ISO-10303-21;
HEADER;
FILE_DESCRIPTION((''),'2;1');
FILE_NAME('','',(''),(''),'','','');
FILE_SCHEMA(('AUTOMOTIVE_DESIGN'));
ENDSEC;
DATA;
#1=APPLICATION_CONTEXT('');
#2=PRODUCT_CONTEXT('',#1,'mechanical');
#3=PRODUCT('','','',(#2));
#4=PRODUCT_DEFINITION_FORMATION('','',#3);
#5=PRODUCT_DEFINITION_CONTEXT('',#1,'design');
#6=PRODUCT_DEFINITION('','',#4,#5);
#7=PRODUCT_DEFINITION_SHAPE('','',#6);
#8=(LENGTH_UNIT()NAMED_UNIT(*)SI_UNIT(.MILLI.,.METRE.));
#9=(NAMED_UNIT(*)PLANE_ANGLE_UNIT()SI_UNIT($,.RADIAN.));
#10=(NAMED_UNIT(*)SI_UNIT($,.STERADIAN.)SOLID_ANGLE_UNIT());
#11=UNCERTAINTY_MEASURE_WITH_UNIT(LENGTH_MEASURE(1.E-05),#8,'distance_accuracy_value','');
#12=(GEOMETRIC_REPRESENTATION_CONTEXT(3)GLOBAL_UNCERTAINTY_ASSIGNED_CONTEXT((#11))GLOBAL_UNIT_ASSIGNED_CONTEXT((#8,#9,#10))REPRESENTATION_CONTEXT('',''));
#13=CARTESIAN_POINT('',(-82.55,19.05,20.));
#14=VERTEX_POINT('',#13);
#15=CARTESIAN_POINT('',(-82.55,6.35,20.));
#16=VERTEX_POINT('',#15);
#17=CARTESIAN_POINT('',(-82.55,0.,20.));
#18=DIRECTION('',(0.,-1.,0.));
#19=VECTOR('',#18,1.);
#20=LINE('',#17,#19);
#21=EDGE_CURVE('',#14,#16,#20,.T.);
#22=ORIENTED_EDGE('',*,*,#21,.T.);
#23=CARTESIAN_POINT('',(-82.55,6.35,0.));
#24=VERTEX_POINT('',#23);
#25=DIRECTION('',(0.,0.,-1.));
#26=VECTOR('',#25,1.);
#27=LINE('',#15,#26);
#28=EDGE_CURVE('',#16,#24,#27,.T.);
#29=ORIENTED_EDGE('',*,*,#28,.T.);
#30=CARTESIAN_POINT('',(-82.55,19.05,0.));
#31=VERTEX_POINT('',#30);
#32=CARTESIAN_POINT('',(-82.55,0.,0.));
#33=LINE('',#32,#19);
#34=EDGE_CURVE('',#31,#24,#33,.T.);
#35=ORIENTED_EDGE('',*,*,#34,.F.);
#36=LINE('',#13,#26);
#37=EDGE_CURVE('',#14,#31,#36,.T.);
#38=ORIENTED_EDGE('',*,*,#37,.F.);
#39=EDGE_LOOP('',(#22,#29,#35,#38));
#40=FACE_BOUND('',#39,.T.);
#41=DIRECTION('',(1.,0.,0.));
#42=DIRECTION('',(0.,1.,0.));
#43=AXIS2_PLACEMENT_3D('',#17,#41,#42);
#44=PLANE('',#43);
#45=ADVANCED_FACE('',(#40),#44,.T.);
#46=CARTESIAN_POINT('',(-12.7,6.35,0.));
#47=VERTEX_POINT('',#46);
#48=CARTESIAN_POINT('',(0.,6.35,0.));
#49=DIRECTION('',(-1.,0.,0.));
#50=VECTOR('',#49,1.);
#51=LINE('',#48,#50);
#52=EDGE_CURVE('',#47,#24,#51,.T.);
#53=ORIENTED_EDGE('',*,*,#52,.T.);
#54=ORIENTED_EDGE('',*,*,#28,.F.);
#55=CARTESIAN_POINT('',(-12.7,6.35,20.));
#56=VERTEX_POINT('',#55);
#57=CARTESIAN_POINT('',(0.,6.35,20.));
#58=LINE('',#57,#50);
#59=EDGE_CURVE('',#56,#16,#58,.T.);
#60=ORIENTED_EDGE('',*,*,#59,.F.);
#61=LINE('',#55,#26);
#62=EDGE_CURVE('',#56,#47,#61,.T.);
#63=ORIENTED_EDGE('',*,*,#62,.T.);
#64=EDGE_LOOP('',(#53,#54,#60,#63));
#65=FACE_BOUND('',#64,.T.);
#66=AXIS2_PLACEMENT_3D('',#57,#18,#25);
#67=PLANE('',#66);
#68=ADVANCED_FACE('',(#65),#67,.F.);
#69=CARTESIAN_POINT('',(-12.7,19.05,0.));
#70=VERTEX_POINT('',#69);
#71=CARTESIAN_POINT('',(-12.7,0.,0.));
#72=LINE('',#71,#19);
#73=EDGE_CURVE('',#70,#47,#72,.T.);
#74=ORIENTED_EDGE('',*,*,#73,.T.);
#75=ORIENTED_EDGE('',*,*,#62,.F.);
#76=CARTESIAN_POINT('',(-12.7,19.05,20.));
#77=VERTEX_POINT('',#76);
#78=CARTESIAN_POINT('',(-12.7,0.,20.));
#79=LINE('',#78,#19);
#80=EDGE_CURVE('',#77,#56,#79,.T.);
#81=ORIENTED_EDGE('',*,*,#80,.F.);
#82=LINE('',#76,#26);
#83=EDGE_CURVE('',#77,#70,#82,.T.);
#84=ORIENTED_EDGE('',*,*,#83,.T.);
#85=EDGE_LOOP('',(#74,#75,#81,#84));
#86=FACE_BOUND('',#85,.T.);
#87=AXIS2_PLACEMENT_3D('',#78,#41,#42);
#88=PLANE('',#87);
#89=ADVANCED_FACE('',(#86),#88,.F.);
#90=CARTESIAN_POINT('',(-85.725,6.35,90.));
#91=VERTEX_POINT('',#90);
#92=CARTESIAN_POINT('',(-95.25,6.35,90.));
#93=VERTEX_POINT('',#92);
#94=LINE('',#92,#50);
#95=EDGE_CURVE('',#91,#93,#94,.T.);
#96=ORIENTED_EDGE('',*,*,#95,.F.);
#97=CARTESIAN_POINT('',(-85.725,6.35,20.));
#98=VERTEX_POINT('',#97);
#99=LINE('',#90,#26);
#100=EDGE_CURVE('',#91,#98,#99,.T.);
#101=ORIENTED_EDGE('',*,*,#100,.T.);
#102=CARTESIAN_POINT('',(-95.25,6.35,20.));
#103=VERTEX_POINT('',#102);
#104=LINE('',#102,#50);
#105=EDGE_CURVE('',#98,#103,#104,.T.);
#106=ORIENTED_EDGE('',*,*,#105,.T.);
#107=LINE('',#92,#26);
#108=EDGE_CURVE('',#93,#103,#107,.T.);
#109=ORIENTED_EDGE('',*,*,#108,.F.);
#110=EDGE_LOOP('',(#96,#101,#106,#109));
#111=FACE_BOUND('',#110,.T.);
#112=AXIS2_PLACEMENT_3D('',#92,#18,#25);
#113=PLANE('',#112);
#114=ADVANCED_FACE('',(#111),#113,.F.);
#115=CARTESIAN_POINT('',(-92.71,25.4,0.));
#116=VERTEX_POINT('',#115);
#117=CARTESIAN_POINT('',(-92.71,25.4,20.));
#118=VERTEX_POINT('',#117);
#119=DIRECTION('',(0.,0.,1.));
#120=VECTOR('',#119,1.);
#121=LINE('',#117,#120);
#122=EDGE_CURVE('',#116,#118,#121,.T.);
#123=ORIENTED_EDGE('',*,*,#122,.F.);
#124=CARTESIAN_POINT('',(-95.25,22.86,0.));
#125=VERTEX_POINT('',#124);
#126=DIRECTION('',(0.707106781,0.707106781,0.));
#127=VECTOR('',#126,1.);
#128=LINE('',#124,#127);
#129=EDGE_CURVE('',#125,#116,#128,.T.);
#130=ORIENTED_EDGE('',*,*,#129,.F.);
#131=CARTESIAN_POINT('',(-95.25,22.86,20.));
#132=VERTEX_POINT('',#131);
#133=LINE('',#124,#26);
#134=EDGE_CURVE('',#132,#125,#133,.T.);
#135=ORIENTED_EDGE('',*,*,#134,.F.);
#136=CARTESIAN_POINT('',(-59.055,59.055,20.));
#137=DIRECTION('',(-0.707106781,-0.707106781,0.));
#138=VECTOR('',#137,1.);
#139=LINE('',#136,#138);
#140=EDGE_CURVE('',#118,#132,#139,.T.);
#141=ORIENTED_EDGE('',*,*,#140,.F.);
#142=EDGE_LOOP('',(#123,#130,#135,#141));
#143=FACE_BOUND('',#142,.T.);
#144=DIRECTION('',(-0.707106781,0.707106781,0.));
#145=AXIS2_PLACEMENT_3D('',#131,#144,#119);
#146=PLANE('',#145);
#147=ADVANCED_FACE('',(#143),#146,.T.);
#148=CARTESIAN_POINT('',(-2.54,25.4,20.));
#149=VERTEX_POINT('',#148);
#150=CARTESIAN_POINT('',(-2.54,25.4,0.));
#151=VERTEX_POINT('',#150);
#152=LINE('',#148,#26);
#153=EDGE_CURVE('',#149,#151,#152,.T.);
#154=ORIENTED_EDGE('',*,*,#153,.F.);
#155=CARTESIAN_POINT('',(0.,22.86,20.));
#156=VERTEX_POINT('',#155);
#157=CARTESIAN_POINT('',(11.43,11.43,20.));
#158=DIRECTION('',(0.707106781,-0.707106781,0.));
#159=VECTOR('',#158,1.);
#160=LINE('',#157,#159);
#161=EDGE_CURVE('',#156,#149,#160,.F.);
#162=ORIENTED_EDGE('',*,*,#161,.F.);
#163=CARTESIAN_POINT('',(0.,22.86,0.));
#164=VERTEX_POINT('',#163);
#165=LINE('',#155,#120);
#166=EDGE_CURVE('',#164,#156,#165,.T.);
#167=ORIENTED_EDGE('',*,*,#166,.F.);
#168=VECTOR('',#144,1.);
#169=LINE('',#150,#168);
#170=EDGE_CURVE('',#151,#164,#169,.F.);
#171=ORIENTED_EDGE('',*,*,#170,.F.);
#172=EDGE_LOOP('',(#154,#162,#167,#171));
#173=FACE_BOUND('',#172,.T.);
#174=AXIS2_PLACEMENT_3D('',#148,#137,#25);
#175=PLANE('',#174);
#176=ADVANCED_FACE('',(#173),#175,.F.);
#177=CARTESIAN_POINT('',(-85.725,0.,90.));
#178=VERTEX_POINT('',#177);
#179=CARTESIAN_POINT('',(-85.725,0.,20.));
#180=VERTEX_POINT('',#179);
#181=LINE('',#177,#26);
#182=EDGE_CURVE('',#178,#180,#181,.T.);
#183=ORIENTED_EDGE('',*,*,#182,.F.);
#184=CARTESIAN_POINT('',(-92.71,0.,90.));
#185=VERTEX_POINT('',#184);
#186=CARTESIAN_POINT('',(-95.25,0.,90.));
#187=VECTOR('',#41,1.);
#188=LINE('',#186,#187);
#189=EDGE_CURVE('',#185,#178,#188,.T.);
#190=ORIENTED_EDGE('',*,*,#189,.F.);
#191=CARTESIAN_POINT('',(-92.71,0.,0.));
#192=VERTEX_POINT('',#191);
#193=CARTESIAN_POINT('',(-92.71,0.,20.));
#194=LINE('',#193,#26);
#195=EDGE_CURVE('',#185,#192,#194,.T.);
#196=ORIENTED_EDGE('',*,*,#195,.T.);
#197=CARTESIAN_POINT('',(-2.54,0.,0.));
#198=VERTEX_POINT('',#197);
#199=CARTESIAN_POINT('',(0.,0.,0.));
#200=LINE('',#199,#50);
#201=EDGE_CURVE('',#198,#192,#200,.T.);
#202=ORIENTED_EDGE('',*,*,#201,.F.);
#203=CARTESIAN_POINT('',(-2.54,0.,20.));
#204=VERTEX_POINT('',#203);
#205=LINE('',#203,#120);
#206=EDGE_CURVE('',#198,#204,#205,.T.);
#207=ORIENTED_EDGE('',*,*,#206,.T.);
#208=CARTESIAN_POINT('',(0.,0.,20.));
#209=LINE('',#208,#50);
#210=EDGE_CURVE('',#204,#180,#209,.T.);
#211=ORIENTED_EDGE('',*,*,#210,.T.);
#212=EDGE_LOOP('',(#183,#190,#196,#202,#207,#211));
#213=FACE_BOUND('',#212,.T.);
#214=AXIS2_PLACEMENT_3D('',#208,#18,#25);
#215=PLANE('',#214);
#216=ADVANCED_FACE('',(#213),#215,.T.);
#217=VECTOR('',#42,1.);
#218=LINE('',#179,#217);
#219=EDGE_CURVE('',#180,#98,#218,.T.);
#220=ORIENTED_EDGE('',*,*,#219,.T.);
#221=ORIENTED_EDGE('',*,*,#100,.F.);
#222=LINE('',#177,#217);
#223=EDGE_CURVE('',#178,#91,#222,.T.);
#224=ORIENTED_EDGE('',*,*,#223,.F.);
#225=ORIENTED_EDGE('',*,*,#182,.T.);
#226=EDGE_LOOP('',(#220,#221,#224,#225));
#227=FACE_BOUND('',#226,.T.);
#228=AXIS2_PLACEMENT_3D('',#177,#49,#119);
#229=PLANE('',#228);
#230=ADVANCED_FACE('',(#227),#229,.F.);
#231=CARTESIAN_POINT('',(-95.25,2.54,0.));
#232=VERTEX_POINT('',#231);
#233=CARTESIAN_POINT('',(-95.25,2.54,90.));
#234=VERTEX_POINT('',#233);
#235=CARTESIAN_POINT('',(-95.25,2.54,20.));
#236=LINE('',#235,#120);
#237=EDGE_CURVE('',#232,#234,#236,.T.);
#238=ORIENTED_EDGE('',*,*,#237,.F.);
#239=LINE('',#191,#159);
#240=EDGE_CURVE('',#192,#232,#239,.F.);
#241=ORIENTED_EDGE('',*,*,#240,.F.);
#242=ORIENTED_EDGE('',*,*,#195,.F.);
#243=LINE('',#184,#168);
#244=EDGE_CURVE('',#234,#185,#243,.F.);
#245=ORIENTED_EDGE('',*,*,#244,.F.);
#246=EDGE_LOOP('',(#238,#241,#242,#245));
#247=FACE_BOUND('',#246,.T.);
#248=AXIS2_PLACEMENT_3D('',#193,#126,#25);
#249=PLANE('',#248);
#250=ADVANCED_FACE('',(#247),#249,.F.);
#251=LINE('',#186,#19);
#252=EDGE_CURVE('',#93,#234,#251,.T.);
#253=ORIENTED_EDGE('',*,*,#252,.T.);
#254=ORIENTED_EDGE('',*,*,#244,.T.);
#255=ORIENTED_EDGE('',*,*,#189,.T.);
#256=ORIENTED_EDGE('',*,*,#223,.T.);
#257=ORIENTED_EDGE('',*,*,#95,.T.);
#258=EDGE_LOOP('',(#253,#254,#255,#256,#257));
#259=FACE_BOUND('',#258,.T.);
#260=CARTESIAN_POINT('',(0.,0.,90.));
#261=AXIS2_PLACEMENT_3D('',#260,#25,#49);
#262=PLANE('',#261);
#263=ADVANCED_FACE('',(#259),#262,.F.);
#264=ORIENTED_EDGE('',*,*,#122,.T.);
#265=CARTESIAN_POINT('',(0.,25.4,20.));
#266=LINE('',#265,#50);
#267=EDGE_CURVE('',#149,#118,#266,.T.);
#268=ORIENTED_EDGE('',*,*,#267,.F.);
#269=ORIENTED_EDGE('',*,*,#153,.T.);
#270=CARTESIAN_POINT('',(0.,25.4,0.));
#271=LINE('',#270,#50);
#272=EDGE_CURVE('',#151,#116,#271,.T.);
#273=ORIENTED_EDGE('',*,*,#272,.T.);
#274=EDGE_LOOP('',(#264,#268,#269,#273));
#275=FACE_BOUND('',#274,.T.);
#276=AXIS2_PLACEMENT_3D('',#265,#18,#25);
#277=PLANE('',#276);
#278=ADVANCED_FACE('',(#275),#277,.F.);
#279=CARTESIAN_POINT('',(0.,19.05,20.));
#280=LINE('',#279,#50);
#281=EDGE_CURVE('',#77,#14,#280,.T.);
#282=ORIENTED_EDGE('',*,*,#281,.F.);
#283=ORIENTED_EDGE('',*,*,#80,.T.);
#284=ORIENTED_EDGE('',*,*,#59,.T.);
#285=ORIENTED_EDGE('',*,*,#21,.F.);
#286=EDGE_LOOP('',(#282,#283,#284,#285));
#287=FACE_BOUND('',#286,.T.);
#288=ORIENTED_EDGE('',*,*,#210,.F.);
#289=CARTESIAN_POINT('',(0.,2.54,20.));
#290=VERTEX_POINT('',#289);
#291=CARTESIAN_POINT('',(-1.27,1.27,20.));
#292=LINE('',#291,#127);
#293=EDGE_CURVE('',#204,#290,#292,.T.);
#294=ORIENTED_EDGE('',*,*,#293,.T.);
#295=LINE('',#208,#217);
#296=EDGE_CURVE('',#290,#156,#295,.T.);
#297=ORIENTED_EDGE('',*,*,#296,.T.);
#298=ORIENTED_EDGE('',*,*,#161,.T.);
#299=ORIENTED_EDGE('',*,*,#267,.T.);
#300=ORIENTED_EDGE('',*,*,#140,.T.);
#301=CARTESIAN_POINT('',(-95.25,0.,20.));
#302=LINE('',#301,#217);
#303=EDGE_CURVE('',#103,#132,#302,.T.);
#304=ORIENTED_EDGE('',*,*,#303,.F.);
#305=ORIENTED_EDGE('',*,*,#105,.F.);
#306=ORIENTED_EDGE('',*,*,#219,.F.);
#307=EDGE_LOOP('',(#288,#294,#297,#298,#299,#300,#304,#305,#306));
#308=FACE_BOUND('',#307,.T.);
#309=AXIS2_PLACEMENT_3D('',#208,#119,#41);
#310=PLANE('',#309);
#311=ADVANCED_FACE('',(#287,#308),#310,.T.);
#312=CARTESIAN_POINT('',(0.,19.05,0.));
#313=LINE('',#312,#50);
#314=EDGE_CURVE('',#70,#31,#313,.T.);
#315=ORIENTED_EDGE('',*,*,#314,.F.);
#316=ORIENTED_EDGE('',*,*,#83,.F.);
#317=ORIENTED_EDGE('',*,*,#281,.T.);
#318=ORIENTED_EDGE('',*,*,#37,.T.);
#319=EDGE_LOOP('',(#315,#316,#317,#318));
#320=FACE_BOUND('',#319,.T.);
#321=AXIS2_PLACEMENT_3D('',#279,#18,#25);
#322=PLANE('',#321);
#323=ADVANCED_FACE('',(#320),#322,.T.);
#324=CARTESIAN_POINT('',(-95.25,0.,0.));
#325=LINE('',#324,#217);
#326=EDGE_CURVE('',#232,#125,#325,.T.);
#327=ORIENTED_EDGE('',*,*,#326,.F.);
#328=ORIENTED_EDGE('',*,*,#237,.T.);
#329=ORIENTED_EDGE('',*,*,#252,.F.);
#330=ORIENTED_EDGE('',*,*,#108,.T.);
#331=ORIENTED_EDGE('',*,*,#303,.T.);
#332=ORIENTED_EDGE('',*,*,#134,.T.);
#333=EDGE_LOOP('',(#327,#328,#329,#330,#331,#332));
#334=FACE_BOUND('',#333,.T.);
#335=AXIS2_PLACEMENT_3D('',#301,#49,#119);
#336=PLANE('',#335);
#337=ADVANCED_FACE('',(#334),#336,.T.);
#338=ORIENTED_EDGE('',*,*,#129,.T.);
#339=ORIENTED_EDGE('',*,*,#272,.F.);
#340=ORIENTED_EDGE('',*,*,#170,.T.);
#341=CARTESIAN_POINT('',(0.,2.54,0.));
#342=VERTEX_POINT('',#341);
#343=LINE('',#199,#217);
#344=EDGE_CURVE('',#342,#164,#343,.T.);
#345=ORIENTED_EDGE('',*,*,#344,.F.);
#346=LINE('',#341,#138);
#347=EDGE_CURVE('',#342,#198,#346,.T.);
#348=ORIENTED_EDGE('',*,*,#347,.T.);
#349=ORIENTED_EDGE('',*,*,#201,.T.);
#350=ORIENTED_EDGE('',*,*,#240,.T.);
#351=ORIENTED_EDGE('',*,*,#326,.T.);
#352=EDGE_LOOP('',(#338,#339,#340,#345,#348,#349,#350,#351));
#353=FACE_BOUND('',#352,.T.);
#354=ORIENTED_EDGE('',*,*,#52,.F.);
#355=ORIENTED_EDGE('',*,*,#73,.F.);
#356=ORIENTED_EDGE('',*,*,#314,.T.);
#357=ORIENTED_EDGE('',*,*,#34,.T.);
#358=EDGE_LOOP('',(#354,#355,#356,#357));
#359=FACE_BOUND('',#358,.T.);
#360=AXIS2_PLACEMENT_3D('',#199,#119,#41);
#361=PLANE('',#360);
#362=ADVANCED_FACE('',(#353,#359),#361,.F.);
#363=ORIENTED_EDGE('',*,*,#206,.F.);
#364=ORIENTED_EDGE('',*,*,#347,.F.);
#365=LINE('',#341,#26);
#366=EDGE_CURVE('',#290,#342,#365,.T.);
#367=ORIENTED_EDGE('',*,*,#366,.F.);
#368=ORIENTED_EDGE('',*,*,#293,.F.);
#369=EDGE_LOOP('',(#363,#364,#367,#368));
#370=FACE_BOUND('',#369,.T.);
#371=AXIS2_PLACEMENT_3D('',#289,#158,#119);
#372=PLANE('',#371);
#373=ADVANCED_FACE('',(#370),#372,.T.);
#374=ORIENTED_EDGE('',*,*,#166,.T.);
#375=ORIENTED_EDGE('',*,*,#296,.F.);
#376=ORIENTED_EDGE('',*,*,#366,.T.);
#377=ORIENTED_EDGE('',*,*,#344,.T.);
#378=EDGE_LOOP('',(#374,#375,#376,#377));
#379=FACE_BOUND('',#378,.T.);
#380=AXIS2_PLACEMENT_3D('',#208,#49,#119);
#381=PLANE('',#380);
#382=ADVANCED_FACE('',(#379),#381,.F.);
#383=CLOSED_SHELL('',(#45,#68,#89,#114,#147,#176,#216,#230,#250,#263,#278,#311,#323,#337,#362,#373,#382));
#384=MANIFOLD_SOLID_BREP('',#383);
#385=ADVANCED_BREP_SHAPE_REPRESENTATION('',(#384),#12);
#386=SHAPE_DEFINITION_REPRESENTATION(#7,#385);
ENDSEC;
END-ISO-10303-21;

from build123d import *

# Parameters (mm, degrees)
SKETCH1_W           = 95.25
SKETCH1_H           = 25.4
SKETCH1_W_2         = 69.85
SKETCH1_H_2         = 12.7
BOSS_EXTRUDE1_DEPTH = 20
SKETCH2_W           = 9.525
SKETCH2_H           = 6.35
BOSS_EXTRUDE2_DEPTH = 70
CHAMFER1_SIZE       = 2.54


with BuildPart() as part:
    # Sketch1 → Boss-Extrude1 (new body)
    with BuildSketch(Plane.XY):
        with Locations((-47.625, 12.7)):
            Rectangle(SKETCH1_W, SKETCH1_H)
        with Locations((-47.625, 12.7)):
            Rectangle(SKETCH1_W_2, SKETCH1_H_2, mode=Mode.SUBTRACT)
    extrude(amount=BOSS_EXTRUDE1_DEPTH)

    # Sketch2 → Boss-Extrude2 (add)
    with BuildSketch(Plane.XY.offset(20)):
        with Locations((-90.4875, 3.175)):
            Rectangle(SKETCH2_W, SKETCH2_H)
    extrude(amount=BOSS_EXTRUDE2_DEPTH)

    # Chamfer1
    chamfer1_edges = [part.edges().sort_by_distance(p)[0] for p in [
        (-95.25, 25.4, 10),
        (0, 25.4, 10),
        (0, 0, 10),
        (-95.25, 0, 45),
    ]]
    chamfer(chamfer1_edges, length=CHAMFER1_SIZE)


solid = part.part
